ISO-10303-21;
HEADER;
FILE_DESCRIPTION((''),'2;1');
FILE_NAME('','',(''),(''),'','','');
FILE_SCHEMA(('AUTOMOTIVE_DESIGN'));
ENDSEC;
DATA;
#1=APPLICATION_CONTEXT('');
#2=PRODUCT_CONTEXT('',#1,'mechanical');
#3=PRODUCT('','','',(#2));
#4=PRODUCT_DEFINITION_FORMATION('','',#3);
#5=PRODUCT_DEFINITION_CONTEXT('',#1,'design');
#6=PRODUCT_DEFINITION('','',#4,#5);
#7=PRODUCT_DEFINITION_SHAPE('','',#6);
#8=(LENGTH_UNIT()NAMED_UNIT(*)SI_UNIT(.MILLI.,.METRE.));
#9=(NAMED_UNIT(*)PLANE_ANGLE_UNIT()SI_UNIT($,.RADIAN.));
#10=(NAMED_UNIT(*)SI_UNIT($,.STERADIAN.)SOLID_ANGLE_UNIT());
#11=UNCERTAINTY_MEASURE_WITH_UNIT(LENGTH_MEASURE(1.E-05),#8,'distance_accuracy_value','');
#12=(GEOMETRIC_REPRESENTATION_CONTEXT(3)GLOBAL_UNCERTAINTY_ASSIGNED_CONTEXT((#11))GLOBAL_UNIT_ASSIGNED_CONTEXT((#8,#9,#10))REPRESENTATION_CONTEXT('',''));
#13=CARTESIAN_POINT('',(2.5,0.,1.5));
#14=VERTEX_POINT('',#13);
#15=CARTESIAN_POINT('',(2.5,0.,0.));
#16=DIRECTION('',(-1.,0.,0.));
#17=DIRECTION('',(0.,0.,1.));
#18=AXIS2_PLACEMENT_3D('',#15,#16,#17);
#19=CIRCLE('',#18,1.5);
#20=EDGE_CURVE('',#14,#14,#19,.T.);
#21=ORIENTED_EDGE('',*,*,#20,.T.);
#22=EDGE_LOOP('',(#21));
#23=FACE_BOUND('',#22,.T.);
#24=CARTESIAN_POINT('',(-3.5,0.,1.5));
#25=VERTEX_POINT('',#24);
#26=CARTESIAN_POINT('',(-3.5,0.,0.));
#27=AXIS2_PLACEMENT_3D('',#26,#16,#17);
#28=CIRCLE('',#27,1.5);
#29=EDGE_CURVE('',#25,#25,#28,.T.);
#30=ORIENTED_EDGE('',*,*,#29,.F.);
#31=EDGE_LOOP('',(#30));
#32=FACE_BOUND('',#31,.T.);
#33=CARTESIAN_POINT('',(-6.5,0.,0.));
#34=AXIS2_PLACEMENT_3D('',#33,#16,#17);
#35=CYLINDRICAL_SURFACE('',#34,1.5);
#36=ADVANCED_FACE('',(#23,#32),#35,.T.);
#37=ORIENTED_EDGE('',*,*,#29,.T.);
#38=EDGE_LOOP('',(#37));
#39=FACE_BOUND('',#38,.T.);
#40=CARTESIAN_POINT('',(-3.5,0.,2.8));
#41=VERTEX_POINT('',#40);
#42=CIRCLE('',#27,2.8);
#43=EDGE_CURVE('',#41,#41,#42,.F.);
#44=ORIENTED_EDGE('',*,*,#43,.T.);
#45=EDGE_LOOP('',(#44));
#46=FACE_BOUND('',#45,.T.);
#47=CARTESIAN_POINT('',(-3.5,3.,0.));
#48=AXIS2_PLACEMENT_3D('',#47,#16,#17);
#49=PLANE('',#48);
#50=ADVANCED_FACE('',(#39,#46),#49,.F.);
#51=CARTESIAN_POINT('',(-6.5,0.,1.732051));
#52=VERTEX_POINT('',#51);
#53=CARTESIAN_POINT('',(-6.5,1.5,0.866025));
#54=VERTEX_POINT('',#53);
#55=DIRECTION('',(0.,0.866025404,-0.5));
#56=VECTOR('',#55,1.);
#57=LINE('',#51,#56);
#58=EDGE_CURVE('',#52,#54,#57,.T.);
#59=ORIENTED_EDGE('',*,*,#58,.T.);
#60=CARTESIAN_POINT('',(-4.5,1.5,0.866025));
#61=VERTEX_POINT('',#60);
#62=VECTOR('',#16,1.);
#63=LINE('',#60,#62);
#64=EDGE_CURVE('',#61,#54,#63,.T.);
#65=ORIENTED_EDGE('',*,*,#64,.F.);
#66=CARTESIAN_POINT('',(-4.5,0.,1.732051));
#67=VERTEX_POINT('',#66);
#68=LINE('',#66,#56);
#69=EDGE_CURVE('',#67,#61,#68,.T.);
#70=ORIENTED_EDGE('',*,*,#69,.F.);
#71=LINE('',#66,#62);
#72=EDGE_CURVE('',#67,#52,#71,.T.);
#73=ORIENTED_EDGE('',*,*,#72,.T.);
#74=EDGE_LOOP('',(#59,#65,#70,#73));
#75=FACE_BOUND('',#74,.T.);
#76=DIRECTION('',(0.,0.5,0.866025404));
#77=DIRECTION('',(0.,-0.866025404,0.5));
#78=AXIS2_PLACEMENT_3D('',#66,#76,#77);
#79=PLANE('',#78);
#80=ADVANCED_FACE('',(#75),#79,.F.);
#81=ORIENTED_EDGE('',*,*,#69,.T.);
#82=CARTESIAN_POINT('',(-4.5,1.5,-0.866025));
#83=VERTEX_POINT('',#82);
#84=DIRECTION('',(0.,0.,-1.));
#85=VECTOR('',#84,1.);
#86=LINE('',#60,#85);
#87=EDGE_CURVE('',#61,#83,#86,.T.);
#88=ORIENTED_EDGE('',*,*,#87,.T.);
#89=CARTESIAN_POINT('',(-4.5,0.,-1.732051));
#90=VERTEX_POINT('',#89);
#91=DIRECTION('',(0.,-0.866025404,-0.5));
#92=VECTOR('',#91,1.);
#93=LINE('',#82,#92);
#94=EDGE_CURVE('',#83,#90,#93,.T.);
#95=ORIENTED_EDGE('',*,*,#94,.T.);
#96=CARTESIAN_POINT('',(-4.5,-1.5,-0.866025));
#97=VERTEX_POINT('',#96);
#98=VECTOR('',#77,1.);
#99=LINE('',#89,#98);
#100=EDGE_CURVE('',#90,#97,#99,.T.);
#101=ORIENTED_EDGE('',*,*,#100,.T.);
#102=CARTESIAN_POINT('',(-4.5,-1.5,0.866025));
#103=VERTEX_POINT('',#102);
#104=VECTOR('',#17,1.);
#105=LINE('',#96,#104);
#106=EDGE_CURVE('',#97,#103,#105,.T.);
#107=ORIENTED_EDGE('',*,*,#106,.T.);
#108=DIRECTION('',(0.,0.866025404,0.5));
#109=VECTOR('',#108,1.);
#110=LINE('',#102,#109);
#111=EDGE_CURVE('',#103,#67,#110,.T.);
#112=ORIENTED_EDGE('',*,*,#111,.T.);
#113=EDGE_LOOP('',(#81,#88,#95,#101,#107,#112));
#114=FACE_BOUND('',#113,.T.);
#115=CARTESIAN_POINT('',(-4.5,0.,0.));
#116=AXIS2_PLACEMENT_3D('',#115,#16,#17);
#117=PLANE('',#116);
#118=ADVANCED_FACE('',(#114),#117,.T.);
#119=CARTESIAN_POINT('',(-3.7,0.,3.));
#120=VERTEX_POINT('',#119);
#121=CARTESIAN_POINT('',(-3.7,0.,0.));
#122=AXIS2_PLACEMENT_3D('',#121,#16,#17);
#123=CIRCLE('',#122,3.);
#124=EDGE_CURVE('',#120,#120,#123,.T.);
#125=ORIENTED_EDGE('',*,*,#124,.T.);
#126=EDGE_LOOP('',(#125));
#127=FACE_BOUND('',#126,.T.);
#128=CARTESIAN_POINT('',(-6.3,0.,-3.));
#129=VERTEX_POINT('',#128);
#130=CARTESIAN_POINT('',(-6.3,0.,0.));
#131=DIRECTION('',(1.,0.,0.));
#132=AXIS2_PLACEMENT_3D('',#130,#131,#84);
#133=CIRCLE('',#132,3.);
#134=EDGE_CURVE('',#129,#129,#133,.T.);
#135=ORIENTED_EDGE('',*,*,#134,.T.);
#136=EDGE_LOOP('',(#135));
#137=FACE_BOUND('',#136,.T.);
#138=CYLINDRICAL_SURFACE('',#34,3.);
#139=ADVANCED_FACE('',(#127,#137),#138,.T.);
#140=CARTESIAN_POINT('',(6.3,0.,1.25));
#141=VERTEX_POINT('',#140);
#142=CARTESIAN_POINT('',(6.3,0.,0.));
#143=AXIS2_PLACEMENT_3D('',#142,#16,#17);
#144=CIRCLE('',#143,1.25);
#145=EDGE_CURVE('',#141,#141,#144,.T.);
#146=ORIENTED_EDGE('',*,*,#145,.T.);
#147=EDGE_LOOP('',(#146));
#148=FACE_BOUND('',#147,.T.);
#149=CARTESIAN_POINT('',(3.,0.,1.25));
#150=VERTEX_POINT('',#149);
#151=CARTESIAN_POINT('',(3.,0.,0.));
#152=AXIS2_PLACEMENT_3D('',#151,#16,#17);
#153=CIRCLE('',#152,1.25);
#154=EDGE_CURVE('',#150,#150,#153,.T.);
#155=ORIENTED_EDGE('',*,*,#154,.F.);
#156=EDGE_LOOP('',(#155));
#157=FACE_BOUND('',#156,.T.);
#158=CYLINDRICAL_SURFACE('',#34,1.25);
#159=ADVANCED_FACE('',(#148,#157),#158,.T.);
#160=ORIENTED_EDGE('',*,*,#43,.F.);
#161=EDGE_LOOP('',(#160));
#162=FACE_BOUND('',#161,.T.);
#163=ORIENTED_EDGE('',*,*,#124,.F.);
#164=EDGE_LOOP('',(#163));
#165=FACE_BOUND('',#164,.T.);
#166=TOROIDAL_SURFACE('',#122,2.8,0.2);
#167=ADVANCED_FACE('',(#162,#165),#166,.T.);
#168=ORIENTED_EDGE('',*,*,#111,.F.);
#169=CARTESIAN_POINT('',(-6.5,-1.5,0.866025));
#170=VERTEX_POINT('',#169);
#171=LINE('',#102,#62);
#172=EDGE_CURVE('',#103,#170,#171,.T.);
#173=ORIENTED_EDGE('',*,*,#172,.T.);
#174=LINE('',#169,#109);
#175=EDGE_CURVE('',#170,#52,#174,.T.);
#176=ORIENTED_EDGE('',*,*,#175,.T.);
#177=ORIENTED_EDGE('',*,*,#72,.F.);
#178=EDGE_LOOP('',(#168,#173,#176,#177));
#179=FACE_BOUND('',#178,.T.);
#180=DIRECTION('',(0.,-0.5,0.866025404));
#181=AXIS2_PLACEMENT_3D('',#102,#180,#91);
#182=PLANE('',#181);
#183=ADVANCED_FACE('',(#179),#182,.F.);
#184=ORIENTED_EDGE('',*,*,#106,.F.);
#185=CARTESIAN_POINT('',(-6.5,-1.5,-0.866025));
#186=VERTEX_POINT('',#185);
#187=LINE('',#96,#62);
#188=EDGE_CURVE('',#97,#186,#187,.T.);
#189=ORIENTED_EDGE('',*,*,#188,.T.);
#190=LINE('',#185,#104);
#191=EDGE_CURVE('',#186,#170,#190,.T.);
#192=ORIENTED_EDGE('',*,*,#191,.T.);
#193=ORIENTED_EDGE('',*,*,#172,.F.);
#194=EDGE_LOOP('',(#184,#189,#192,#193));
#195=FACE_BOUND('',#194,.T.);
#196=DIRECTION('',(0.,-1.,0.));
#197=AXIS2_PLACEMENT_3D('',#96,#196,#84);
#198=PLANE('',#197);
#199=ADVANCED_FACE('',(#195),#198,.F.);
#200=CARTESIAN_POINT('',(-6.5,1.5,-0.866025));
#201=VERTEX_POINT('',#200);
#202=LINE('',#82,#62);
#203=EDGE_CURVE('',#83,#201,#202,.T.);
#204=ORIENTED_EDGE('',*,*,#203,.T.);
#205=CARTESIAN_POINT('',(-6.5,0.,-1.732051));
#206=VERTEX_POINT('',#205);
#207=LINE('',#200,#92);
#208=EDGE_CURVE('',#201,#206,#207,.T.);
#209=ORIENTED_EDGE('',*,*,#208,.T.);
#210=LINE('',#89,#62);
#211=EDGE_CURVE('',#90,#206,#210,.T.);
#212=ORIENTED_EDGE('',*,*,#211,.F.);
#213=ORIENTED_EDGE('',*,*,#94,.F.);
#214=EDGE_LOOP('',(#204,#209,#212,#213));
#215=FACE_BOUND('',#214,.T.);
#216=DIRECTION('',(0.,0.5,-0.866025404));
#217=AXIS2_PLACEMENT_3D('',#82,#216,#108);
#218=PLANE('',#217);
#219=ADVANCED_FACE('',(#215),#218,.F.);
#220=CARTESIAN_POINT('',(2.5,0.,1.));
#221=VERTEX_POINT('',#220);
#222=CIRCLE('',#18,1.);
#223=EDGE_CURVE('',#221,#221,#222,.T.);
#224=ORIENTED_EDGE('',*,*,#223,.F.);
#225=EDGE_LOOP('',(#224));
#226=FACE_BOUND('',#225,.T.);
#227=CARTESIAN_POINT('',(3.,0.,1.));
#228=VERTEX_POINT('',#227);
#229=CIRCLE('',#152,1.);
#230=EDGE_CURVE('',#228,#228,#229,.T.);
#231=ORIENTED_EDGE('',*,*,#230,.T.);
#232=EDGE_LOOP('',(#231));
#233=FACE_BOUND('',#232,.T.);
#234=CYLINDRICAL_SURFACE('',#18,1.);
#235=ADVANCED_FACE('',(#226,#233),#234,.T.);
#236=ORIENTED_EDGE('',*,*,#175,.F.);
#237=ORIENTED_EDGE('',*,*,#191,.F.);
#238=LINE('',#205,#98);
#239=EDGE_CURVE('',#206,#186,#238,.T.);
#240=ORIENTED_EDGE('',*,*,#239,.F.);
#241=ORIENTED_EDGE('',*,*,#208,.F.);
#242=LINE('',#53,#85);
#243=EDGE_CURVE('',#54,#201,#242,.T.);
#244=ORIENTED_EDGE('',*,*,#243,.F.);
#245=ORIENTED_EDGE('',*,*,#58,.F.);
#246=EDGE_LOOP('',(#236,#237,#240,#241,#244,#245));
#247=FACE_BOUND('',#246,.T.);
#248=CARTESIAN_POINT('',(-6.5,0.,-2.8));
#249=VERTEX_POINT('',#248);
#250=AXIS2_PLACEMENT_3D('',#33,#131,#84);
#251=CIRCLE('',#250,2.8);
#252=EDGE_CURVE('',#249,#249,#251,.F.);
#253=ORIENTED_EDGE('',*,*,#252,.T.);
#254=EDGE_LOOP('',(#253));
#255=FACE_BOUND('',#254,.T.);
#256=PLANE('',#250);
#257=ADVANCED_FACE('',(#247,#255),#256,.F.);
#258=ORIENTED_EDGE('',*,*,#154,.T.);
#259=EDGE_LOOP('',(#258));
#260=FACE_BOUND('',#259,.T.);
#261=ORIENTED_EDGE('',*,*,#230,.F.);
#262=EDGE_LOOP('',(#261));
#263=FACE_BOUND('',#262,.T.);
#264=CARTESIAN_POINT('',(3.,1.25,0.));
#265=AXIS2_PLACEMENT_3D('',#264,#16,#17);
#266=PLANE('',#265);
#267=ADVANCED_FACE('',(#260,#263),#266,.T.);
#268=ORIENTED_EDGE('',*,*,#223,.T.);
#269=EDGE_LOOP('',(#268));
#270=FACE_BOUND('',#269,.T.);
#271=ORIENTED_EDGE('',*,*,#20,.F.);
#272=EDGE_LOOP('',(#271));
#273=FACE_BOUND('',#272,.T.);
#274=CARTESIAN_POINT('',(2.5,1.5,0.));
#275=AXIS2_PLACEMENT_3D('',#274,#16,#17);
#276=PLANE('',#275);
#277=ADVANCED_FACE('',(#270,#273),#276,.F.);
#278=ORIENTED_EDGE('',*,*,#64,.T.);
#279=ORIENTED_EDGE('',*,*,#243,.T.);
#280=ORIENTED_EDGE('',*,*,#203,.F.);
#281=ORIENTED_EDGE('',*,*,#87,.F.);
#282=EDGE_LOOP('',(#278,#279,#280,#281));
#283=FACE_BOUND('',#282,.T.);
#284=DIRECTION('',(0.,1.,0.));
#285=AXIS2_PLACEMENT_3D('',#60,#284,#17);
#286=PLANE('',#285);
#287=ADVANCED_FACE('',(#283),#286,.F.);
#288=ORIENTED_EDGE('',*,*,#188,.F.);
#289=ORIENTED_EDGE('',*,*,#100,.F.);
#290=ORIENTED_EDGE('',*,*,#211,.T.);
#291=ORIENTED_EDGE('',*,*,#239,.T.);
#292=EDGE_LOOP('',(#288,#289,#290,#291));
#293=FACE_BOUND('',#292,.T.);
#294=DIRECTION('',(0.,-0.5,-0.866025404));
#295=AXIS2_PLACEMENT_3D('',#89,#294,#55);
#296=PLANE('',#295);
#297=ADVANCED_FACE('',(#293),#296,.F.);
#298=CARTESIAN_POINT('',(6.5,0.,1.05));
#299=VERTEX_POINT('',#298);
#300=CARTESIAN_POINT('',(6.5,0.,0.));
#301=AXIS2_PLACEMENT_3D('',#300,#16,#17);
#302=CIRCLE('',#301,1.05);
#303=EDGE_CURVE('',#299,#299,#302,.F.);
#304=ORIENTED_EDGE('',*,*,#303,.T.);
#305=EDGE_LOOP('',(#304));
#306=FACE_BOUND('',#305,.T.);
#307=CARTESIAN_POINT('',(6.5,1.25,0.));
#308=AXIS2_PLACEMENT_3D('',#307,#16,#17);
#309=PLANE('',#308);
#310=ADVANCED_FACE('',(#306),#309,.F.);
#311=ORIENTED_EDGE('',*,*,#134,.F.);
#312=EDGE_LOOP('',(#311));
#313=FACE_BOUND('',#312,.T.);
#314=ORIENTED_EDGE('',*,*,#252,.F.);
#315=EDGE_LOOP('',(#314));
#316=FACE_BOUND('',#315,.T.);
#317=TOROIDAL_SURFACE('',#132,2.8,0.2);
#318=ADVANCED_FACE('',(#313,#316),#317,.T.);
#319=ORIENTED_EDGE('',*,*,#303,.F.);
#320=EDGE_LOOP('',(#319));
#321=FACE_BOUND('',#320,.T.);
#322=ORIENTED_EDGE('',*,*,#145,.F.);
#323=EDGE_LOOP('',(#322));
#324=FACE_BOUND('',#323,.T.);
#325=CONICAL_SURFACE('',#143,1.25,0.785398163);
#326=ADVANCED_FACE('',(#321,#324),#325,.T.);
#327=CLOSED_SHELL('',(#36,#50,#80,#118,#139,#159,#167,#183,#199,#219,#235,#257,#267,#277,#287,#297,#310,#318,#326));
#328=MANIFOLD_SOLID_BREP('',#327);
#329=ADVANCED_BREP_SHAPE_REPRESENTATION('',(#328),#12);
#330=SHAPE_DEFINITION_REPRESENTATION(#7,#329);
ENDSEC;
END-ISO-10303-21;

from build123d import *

# Parameters (mm, degrees)
FILLET_1_R          = 0.2
CHAMFER_1_SIZE      = 0.2
SKETCH_3_W          = 0.5
SKETCH_3_H          = 0.25
CUT_EXTRUDE_1_DEPTH = 2


with BuildPart() as part:
    # 草图1 → 旋转1 (revolve)
    with BuildSketch(Plane.XY):
        Polygon((-6.5, 0), (-6.5, 3), (-3.5, 3), (-3.5, 1.5), (2.5, 1.5), (2.5, 1.25), (6.5, 1.25), (6.5, 0), align=None)
    revolve(axis=Axis((-6.5, 0, 0), (1, 0, 0)))

    # 圆角1
    fillet_1_edges = [part.edges().sort_by_distance(p)[0] for p in [
        (-3.5, -3, 0),
        (-6.5, -3, 0),
    ]]
    fillet(fillet_1_edges, radius=FILLET_1_R)

    # 倒角1
    chamfer_1_edges = [part.edges().sort_by_distance(p)[0] for p in [
        (6.5, -1.25, 0),
    ]]
    chamfer(chamfer_1_edges, length=CHAMFER_1_SIZE)

    # 草图3 → 切除-旋转1 (revolve, cut)
    with BuildSketch(Plane.XY):
        with Locations((2.75, 1.125)):
            Rectangle(SKETCH_3_W, SKETCH_3_H)
    revolve(axis=Axis((2.5, 0, 0), (1, 0, 0)), mode=Mode.SUBTRACT)

    # 草图4 → 切除-拉伸1 (cut)
    with BuildSketch(Plane.ZY.offset(6.5)):
        Polygon((1.732050808, 0), (0.866025404, 1.5), (-0.866025404, 1.5), (-1.732050808, 0), (-0.866025404, -1.5), (0.866025404, -1.5), align=None)
    extrude(amount=-CUT_EXTRUDE_1_DEPTH, mode=Mode.SUBTRACT)


solid = part.part
